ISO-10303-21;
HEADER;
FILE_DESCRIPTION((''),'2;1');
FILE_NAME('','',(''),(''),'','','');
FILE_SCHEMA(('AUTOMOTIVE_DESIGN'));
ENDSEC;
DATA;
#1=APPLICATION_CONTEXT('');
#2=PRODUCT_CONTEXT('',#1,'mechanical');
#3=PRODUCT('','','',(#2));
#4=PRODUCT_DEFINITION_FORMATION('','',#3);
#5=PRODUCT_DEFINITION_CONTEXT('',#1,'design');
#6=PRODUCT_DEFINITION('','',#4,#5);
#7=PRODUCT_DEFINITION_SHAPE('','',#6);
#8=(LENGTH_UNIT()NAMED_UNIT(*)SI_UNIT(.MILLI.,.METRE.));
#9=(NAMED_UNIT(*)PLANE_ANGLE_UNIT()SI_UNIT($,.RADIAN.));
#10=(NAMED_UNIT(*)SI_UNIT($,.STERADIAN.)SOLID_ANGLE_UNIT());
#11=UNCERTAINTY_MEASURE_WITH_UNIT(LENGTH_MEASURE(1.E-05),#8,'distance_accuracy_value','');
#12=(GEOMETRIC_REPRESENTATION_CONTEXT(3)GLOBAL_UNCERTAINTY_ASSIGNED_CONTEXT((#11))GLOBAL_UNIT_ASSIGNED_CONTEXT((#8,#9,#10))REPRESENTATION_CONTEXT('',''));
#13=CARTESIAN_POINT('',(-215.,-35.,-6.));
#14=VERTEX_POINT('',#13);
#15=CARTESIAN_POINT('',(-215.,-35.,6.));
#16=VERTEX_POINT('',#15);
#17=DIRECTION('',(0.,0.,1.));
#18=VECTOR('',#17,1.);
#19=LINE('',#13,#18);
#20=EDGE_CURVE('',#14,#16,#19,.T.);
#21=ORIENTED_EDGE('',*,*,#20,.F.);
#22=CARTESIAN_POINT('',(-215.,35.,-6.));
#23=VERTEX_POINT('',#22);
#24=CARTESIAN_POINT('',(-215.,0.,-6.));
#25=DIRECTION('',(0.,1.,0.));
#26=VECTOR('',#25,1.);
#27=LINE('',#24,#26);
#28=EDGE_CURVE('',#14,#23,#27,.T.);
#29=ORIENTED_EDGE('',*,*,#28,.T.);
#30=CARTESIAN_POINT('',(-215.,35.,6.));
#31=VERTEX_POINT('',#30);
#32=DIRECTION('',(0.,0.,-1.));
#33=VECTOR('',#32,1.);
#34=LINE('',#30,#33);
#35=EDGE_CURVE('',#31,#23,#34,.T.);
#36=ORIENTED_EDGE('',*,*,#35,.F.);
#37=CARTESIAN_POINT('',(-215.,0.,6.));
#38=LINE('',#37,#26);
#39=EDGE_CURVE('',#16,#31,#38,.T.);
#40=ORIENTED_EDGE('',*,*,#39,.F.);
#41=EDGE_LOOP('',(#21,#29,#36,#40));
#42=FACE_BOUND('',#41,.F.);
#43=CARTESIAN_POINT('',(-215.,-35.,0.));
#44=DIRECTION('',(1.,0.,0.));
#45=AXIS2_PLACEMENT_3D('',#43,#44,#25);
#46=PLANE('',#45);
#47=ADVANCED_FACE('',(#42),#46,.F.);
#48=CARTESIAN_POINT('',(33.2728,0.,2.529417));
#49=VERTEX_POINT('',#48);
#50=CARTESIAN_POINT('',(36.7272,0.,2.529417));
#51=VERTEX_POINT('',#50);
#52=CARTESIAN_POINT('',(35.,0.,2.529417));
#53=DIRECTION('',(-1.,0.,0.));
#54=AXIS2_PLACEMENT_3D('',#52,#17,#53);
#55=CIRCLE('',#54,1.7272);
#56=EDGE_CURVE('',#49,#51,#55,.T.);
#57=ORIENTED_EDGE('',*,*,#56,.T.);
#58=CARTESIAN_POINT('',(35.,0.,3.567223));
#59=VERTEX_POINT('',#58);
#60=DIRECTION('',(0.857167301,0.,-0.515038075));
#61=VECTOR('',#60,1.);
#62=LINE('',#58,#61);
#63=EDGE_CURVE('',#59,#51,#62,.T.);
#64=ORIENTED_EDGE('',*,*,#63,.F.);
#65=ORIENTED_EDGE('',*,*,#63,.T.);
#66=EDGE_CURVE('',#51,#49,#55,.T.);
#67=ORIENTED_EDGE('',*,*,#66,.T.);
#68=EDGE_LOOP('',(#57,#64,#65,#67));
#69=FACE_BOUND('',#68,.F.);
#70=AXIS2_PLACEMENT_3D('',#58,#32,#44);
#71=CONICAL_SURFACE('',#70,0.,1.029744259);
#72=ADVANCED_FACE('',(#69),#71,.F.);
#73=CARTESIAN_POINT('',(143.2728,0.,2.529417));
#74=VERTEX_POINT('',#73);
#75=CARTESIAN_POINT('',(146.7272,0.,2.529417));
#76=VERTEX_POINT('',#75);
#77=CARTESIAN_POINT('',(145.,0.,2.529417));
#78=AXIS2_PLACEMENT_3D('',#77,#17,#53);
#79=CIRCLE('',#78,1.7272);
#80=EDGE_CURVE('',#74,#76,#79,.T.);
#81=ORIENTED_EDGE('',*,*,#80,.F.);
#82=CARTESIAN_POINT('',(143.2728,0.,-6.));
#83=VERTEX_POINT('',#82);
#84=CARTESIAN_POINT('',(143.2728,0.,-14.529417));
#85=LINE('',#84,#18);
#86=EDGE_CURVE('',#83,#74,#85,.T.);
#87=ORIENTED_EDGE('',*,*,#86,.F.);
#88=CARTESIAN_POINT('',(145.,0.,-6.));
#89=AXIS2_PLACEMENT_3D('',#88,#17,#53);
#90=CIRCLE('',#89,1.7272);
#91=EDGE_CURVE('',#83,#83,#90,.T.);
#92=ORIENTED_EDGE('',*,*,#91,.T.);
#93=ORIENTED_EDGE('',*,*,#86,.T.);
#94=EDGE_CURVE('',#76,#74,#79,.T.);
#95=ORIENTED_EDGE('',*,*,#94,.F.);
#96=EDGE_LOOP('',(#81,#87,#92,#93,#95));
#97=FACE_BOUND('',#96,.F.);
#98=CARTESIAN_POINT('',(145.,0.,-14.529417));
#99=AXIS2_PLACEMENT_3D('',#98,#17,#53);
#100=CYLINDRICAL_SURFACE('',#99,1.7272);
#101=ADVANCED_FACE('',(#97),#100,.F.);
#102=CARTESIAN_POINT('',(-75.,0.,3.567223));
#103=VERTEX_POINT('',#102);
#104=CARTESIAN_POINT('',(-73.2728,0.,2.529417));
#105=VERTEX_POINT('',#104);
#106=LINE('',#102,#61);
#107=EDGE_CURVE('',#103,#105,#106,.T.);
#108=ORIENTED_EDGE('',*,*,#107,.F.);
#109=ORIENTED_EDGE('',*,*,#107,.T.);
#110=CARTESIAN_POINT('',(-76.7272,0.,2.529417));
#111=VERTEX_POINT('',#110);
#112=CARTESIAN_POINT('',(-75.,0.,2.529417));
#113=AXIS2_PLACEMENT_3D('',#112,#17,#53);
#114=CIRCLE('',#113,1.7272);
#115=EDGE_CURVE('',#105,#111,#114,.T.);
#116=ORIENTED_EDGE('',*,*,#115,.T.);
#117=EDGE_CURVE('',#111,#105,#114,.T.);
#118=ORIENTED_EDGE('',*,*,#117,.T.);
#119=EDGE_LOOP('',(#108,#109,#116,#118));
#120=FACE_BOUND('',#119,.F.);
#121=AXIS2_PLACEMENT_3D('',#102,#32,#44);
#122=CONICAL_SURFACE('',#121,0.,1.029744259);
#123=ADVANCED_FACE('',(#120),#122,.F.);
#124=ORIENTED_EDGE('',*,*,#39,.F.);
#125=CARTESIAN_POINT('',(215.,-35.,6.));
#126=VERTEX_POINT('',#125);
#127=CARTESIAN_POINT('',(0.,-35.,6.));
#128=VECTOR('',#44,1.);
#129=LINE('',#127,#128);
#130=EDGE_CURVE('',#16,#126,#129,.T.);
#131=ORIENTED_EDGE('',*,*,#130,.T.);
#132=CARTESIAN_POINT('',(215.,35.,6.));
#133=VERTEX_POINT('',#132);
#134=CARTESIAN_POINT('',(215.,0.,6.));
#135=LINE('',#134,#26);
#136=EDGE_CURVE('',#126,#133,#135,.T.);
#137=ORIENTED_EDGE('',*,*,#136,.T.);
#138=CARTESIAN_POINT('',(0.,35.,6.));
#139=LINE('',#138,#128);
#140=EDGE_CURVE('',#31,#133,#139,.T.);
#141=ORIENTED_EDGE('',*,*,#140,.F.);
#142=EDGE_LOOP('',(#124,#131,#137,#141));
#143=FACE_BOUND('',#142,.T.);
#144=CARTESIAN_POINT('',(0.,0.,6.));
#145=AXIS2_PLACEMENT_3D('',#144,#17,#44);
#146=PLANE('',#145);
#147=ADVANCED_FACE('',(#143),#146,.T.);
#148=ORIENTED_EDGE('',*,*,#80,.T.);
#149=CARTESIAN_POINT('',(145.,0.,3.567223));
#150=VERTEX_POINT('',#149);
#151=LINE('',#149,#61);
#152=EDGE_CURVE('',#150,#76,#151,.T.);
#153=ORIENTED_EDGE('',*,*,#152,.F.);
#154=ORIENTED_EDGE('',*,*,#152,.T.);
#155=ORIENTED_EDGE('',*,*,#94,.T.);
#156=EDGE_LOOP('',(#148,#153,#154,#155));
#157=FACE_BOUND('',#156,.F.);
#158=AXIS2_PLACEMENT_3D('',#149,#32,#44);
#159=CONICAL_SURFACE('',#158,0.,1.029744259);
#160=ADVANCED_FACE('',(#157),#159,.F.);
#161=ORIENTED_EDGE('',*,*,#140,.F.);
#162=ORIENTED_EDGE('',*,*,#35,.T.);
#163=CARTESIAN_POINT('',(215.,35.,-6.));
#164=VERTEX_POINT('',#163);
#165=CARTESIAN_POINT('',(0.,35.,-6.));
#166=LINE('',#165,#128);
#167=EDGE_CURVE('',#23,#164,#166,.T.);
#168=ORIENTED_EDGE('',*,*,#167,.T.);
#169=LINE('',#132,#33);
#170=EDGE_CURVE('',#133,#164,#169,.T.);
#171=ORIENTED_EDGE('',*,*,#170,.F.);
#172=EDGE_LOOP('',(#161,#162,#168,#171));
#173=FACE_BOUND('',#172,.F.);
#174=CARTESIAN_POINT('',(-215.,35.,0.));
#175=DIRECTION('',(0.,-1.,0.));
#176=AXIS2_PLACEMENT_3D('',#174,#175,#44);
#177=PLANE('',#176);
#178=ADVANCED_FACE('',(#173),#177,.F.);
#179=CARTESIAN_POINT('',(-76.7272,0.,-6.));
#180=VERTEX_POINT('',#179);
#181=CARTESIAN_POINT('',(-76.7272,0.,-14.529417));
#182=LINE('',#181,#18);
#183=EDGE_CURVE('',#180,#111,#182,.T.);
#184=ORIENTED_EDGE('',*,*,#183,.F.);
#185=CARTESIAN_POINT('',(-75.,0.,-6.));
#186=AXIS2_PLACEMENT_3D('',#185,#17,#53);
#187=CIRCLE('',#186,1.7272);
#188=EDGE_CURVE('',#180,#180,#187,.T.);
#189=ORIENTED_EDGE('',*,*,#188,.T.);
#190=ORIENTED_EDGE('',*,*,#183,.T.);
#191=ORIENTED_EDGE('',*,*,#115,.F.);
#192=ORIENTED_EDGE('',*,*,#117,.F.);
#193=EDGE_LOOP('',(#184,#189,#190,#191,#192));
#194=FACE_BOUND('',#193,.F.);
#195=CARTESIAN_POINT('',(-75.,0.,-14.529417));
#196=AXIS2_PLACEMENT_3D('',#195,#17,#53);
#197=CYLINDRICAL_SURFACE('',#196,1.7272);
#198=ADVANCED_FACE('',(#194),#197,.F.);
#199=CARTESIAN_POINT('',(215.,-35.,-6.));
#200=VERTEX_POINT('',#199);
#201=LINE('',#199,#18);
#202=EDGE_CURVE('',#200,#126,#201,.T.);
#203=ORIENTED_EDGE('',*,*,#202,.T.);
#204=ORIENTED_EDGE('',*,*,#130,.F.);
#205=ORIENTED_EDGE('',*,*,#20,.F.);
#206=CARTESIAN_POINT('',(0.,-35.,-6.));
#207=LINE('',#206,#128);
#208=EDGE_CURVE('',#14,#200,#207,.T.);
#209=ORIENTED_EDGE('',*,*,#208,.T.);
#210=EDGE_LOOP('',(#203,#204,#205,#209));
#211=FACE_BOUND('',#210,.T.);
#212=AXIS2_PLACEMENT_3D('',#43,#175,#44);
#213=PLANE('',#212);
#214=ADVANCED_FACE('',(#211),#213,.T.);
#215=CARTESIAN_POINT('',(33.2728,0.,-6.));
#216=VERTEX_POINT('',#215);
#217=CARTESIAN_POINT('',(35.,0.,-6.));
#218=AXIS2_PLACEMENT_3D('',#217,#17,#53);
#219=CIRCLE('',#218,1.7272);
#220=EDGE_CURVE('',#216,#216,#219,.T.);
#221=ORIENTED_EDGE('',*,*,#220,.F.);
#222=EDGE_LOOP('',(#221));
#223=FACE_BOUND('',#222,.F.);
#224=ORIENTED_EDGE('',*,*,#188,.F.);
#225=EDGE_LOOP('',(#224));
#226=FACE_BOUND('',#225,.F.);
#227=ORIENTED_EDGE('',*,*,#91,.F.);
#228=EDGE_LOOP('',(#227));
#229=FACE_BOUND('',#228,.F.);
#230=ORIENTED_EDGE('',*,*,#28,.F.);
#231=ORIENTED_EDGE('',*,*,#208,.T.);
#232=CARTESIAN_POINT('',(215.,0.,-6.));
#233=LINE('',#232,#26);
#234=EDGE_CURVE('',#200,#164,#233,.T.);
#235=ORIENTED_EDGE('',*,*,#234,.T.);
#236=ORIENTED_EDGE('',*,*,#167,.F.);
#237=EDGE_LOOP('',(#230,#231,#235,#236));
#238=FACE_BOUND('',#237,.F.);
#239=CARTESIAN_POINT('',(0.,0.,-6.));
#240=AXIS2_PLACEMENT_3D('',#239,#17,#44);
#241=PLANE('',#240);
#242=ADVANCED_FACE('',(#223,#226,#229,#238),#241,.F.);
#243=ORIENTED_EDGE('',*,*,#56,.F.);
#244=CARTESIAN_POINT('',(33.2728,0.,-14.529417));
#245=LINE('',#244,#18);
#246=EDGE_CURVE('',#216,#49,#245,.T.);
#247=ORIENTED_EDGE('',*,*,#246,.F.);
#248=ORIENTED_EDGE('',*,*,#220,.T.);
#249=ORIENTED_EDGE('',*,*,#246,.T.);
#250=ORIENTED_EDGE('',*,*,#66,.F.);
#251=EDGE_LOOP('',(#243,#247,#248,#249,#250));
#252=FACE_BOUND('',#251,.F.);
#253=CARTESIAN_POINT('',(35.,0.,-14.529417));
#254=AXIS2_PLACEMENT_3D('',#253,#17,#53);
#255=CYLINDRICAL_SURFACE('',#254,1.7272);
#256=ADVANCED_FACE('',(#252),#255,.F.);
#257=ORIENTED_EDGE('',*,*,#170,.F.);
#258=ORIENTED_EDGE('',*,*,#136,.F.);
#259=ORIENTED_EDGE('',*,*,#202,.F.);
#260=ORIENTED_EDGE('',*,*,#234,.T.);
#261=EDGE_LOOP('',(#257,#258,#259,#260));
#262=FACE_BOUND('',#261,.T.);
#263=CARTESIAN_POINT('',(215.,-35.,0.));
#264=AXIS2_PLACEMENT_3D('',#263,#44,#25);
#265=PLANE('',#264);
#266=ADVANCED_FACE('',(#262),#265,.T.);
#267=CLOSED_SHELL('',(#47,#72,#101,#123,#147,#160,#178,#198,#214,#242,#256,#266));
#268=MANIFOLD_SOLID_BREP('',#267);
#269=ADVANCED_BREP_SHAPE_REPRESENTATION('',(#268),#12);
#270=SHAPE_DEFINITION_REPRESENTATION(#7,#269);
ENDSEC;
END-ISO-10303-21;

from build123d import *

# Parameters (mm, degrees)
F0_W          = 430
F0_H          = 70
F1_DEPTH      = 6
F1_DEPTH_BACK = 6
F3_D          = 3.4544
F3_DEPTH      = 8.5294166667
F3_TIP        = 1.0378064612


with BuildPart() as f1:
    # F0 (on Top) → F1 (new body, two sides)
    with BuildSketch(Plane.XY) as f1_sk:
        Rectangle(F0_W, F0_H)
    extrude(amount=F1_DEPTH)
    extrude(f1_sk.sketch, amount=-F1_DEPTH_BACK)

    # F3
    with Locations(Plane(origin=(0, 0, -6), x_dir=(1, 0, 0), z_dir=(0, 0, -1))):
        with Locations((-75, 0), (145, 0), (35, 0)):
            Hole(F3_D / 2, depth=F3_DEPTH)
            with Locations((0, 0, -(F3_DEPTH + F3_TIP / 2))):  # 118° drill point
                Cone(0, F3_D / 2, F3_TIP, mode=Mode.SUBTRACT)


solid = f1.part
